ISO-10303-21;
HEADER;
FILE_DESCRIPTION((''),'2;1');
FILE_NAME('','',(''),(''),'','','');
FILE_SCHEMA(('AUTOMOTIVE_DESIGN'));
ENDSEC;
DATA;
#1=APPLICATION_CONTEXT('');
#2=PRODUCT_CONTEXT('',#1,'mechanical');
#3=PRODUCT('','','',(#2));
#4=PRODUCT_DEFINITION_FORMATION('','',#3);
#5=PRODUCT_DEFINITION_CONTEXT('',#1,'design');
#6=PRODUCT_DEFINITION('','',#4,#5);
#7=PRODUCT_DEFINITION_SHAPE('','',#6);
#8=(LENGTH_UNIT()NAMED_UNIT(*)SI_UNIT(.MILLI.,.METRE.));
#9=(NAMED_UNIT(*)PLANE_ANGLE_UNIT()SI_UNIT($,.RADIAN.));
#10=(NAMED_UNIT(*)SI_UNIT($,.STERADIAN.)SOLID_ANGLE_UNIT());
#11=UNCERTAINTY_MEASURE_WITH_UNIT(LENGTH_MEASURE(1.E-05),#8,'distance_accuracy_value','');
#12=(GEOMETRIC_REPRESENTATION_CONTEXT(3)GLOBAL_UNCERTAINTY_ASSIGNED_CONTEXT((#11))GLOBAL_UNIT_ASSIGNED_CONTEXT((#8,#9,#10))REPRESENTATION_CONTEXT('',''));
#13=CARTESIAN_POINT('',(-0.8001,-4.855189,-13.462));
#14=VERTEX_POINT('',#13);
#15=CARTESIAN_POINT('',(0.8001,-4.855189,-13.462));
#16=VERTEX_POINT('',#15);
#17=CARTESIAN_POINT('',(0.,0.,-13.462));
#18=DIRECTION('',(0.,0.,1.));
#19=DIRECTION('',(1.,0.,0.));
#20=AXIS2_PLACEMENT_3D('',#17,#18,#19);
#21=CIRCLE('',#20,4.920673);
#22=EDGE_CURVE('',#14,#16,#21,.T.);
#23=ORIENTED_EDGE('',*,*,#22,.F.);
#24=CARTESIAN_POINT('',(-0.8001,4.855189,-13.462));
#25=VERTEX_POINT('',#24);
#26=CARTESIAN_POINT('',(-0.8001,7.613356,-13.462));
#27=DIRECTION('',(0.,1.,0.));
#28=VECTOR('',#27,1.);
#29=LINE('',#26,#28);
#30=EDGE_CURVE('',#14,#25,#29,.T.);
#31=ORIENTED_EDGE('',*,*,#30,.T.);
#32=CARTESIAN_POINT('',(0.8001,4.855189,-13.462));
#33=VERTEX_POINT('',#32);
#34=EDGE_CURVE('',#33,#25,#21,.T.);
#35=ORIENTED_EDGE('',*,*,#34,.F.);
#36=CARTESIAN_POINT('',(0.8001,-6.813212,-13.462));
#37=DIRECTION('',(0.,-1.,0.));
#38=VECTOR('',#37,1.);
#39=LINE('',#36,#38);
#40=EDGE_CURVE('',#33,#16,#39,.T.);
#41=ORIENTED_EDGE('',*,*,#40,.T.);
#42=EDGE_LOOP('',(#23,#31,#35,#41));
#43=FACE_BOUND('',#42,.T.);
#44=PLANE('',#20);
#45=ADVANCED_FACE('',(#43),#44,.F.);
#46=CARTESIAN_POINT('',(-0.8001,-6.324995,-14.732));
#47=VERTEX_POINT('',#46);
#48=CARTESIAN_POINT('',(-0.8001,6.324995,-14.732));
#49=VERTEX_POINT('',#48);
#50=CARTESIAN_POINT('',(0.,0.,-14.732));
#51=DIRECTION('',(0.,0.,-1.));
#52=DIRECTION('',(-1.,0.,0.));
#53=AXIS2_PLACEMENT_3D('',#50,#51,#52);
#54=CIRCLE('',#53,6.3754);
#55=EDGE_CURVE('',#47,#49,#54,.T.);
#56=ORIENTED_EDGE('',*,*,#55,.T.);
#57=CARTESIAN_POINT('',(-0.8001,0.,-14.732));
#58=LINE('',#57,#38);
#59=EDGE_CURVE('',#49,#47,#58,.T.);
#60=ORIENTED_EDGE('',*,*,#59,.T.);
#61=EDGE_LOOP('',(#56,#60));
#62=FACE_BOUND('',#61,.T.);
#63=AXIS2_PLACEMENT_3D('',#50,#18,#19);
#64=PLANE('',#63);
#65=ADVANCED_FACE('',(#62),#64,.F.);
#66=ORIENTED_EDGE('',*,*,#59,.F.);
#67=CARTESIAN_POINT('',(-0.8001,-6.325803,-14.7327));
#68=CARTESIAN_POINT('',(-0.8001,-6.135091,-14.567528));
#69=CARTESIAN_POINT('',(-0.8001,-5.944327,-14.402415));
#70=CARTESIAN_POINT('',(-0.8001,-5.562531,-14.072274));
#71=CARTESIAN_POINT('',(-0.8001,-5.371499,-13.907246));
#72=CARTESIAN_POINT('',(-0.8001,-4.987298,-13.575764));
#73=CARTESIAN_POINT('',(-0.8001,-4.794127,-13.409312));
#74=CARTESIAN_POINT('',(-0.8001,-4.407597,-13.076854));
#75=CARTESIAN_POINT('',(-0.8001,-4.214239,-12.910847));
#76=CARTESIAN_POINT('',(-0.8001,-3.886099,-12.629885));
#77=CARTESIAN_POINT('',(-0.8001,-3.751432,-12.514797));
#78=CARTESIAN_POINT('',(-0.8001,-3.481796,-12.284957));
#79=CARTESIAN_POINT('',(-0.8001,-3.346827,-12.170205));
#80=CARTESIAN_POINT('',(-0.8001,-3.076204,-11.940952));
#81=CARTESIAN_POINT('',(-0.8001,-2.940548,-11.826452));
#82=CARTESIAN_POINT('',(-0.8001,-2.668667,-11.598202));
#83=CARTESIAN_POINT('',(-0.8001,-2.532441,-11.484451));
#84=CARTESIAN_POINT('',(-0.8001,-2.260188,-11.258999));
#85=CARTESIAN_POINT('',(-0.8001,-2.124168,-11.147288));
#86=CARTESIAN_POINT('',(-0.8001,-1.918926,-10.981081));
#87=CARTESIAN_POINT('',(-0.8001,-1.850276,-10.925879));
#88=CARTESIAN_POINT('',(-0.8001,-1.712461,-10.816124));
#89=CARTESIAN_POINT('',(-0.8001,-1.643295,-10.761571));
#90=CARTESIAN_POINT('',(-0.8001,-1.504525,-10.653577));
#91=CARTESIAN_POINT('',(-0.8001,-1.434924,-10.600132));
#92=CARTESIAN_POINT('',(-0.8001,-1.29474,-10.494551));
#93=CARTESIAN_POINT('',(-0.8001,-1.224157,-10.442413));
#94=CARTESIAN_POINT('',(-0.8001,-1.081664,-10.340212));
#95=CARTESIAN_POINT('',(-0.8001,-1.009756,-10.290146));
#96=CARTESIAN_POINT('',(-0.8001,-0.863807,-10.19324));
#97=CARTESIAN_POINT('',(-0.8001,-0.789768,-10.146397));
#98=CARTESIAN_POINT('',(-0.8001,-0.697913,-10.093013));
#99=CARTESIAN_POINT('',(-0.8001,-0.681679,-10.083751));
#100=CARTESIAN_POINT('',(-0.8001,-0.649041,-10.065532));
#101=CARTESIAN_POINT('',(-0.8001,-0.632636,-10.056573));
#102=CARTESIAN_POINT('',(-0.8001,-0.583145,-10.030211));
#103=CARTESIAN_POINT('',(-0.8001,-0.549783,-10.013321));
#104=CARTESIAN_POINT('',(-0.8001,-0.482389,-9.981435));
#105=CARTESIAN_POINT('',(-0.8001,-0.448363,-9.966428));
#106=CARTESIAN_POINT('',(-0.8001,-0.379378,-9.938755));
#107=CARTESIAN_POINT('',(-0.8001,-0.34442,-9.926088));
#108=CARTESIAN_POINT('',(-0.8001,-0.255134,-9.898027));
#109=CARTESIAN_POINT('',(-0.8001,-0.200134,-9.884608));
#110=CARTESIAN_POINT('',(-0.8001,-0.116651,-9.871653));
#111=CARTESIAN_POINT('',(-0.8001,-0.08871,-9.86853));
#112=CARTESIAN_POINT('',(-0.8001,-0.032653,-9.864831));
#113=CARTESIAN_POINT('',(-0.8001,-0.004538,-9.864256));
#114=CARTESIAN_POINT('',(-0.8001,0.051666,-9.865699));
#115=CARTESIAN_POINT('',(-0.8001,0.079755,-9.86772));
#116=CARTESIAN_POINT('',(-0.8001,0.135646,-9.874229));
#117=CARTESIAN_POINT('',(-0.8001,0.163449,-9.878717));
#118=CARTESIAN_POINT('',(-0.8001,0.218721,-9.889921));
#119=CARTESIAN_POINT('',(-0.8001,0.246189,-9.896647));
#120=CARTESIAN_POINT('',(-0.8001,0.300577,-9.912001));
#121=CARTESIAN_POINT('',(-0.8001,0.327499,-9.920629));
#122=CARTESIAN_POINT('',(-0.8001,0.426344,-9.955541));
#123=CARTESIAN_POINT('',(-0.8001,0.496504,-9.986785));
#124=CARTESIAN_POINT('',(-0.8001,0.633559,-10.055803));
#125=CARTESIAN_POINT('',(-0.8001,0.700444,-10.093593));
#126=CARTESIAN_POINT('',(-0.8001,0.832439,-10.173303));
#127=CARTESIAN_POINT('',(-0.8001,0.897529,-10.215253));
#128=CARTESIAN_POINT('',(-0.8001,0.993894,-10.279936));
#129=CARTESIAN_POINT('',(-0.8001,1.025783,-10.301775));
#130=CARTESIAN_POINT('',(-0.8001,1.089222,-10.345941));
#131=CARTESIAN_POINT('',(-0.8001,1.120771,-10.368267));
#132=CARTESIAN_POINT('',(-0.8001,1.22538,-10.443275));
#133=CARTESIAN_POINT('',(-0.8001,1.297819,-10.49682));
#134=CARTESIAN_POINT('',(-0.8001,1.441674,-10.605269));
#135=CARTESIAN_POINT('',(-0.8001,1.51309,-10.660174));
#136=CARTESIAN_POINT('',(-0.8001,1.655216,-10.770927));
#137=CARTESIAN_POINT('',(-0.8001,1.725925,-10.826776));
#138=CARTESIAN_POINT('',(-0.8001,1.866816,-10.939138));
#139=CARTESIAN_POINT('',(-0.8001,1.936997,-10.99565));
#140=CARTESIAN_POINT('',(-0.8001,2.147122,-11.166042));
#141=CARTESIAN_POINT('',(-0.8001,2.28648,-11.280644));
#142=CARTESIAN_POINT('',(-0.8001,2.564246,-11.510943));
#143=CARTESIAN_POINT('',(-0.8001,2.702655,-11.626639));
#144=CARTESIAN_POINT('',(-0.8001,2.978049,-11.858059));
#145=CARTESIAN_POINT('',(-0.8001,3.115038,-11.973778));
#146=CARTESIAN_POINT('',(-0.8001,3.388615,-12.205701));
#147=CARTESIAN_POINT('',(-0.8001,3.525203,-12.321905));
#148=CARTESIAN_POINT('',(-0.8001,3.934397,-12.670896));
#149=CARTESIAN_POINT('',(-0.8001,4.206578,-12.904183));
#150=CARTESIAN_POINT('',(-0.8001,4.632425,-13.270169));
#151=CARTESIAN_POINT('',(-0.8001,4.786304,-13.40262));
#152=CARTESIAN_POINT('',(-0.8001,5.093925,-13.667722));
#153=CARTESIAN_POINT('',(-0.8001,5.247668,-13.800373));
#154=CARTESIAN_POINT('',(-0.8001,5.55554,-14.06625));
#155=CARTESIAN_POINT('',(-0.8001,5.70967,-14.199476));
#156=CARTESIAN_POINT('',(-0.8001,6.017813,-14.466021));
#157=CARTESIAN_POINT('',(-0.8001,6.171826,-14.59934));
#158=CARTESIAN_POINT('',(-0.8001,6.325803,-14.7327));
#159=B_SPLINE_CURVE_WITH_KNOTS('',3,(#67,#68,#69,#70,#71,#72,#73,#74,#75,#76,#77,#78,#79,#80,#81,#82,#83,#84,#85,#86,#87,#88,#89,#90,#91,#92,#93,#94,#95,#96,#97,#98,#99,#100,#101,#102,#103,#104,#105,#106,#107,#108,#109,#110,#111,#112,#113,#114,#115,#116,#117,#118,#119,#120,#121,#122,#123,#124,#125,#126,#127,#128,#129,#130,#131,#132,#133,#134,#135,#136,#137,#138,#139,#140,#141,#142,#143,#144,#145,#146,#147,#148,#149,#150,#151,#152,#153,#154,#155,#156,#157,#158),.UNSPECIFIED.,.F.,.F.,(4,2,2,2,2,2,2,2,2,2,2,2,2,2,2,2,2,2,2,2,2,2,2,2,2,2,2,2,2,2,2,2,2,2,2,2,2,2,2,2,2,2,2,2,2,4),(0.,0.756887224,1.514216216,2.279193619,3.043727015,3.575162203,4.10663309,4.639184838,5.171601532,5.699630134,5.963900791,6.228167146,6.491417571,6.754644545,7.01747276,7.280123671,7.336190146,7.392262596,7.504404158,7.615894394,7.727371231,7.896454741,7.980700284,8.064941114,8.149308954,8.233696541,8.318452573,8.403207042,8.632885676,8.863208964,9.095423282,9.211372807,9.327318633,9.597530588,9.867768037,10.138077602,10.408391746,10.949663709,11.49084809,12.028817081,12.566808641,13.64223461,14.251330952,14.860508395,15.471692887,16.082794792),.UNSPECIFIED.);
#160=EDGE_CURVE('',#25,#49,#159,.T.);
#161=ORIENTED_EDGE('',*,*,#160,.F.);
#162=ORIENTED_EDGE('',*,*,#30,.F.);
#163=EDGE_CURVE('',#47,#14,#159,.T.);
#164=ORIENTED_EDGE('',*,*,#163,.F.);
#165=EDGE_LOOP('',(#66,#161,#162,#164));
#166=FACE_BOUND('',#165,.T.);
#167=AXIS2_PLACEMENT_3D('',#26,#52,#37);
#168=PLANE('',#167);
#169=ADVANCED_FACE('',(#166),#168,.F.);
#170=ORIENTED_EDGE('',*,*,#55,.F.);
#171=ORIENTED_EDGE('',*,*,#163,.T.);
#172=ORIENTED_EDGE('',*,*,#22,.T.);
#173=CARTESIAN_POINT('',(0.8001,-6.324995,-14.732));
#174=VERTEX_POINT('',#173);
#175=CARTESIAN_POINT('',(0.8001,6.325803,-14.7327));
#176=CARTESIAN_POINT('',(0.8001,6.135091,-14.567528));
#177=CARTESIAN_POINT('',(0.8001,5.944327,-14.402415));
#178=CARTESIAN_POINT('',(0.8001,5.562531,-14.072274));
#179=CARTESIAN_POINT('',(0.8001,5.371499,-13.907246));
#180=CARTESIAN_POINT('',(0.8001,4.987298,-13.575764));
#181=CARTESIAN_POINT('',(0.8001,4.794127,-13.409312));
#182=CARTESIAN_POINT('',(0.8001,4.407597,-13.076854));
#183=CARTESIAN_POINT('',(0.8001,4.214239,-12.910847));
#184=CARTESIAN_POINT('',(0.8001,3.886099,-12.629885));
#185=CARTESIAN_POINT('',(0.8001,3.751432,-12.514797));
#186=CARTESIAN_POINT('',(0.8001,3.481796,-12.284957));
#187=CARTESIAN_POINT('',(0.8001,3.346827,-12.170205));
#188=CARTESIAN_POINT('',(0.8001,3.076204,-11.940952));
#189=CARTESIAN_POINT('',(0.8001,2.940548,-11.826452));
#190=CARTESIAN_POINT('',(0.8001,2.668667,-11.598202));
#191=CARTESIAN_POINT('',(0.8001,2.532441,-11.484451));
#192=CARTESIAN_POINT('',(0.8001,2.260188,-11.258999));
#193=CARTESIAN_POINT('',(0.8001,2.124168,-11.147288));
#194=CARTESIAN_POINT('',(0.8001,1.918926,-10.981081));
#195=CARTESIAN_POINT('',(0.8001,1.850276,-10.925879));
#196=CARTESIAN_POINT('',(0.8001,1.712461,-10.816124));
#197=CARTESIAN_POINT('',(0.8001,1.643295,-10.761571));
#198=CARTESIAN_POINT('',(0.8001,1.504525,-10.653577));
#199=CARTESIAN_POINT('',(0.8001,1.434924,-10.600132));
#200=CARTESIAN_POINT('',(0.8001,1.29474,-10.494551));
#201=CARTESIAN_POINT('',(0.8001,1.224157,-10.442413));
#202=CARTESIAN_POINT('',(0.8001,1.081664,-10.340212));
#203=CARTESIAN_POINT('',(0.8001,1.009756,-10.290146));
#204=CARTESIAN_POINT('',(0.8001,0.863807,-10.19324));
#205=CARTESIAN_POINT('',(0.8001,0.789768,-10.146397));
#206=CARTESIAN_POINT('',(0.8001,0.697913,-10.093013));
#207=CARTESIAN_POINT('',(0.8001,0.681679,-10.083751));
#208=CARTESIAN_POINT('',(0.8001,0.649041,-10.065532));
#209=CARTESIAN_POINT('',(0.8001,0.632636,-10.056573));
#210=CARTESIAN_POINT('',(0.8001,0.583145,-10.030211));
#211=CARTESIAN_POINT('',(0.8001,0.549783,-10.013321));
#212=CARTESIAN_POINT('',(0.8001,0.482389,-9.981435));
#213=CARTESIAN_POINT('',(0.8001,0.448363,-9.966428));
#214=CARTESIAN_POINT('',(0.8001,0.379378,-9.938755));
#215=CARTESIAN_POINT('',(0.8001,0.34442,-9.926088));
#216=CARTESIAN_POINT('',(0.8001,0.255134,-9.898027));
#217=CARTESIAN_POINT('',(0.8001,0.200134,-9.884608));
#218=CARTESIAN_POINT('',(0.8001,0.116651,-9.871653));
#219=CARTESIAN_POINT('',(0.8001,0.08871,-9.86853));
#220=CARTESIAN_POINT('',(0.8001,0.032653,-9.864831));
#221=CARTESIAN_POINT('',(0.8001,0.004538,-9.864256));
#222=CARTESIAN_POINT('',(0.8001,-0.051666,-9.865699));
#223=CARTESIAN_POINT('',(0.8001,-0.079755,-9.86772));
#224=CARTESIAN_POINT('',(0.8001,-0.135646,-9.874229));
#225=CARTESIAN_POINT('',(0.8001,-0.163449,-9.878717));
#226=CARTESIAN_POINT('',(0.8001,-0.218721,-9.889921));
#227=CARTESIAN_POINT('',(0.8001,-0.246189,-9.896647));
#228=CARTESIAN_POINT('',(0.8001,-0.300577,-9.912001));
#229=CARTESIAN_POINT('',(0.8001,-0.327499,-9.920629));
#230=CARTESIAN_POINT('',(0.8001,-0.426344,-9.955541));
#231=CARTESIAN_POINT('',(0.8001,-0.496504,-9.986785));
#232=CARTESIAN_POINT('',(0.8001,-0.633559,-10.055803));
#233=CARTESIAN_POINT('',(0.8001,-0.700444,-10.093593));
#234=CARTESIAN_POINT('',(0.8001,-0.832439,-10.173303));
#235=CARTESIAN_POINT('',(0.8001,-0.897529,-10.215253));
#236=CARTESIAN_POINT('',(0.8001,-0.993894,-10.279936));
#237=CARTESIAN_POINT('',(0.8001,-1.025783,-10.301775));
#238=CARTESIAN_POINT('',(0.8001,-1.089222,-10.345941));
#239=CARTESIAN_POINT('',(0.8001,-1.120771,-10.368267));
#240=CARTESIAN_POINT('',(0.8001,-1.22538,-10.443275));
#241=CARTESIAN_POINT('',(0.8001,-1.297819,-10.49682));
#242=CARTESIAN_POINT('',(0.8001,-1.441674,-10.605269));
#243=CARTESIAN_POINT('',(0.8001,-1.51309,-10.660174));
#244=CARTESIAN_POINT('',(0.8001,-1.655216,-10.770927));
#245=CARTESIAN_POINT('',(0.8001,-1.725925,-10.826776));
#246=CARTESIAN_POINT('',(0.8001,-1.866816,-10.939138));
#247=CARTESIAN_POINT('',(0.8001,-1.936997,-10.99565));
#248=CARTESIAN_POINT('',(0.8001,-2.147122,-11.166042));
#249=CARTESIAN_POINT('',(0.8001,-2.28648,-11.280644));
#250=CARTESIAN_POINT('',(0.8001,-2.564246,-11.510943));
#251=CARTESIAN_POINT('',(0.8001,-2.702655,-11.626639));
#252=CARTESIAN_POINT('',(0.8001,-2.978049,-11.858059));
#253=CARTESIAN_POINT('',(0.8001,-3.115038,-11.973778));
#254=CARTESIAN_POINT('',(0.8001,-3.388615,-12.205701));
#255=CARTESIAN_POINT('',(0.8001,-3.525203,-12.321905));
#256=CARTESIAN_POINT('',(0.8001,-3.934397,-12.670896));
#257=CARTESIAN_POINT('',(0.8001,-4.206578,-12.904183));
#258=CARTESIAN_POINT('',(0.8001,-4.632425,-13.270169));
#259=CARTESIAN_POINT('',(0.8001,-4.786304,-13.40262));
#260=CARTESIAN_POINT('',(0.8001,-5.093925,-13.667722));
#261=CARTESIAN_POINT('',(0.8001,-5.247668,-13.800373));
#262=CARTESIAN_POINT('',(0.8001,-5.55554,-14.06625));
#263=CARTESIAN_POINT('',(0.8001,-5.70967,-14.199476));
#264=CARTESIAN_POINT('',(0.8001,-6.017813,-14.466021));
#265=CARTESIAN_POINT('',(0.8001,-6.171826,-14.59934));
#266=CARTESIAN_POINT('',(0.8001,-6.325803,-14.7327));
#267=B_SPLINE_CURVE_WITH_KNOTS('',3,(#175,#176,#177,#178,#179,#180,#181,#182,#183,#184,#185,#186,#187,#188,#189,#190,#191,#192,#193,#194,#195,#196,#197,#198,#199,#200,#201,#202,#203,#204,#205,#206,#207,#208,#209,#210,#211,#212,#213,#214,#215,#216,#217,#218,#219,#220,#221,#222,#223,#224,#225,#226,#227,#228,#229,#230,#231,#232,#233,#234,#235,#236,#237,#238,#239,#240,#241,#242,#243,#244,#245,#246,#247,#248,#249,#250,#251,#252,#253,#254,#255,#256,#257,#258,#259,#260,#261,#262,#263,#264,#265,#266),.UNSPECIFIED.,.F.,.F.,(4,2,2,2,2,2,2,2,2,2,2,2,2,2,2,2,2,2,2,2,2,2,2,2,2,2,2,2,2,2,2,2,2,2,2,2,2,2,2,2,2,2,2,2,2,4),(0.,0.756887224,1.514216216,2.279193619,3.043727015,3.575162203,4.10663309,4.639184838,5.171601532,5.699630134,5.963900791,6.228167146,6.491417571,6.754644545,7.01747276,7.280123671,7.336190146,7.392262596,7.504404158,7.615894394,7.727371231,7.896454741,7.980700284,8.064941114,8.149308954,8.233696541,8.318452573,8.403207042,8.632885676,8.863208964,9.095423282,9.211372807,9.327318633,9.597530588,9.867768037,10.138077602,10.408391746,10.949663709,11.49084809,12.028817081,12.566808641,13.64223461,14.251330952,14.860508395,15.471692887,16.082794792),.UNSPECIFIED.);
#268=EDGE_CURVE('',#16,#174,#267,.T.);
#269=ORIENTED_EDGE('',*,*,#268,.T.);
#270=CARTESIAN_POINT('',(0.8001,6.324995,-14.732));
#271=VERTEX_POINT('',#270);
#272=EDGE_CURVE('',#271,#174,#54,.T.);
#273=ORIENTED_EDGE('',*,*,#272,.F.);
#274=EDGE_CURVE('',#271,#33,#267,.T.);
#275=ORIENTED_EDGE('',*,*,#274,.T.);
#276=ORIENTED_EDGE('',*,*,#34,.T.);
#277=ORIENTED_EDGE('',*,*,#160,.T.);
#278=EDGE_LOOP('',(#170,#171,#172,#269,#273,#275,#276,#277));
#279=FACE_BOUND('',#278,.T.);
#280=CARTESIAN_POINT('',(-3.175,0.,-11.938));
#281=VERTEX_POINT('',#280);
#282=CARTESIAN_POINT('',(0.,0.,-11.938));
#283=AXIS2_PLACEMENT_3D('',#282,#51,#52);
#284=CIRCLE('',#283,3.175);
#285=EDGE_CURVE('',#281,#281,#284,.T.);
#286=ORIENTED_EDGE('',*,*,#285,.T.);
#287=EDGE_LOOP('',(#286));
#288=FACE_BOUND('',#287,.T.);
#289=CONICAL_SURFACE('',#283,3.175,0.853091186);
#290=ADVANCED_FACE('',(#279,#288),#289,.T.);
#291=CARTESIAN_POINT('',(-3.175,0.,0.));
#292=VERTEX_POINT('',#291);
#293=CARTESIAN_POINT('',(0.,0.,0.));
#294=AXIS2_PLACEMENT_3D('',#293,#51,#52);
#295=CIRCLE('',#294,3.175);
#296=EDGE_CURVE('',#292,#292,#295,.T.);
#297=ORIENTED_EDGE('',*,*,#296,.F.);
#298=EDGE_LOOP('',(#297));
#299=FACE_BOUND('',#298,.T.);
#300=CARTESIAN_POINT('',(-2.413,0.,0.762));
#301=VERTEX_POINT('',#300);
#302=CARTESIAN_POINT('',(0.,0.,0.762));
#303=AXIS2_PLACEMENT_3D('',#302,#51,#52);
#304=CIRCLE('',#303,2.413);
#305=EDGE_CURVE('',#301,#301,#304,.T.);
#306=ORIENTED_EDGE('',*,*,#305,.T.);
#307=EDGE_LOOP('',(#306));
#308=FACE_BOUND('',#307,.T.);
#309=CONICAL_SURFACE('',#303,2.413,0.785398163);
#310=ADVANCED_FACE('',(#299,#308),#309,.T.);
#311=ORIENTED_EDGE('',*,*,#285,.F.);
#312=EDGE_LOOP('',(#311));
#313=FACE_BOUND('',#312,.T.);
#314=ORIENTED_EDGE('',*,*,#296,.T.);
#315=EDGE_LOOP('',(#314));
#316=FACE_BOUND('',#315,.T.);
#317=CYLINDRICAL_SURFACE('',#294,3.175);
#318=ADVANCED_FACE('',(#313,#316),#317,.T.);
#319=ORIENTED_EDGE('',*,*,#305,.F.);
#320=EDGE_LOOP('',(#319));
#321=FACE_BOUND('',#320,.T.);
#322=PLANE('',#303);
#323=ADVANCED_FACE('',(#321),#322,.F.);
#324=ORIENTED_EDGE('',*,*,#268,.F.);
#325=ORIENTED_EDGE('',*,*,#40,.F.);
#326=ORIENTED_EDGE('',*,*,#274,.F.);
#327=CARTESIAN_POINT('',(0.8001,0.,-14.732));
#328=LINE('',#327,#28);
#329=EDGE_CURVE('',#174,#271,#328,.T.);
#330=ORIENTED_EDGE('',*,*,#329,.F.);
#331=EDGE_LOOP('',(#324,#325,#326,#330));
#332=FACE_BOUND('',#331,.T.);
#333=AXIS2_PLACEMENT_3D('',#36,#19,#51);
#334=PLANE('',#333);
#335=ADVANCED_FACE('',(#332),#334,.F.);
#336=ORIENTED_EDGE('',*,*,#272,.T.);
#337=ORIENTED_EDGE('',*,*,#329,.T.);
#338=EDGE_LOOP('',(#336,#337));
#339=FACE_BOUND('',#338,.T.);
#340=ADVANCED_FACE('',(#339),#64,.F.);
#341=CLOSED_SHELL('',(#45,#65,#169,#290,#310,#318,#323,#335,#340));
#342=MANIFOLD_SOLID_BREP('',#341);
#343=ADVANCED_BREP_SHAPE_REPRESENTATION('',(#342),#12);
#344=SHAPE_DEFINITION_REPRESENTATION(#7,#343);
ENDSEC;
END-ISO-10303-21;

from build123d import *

# Parameters (mm, degrees)
SKETCH6_W          = 1.6002
SKETCH6_H          = 14.426568413
CUT_EXTRUDE2_DEPTH = 1.27


with BuildPart() as part:
    # Sketch5 → Revolve2 (revolve)
    with BuildSketch(Plane(origin=(0, 0, 0), x_dir=(1, 0, 0), z_dir=(0, 1, 0))):
        Polygon((0, 14.732), (0, -0.762), (2.413, -0.762), (3.175, 0), (3.175, 11.938), (6.3754, 14.732), align=None)
    revolve(axis=Axis((0, 0, 0), (0, 0, 1)))

    # Sketch6 → Cut-Extrude2 (cut)
    with BuildSketch(Plane(origin=(0, 0, -14.732), x_dir=(-1, 0, 0), z_dir=(0, 0, -1))):
        with Locations((0, 0.400071831)):
            Rectangle(SKETCH6_W, SKETCH6_H)
    extrude(amount=-CUT_EXTRUDE2_DEPTH, mode=Mode.SUBTRACT)


solid = part.part
